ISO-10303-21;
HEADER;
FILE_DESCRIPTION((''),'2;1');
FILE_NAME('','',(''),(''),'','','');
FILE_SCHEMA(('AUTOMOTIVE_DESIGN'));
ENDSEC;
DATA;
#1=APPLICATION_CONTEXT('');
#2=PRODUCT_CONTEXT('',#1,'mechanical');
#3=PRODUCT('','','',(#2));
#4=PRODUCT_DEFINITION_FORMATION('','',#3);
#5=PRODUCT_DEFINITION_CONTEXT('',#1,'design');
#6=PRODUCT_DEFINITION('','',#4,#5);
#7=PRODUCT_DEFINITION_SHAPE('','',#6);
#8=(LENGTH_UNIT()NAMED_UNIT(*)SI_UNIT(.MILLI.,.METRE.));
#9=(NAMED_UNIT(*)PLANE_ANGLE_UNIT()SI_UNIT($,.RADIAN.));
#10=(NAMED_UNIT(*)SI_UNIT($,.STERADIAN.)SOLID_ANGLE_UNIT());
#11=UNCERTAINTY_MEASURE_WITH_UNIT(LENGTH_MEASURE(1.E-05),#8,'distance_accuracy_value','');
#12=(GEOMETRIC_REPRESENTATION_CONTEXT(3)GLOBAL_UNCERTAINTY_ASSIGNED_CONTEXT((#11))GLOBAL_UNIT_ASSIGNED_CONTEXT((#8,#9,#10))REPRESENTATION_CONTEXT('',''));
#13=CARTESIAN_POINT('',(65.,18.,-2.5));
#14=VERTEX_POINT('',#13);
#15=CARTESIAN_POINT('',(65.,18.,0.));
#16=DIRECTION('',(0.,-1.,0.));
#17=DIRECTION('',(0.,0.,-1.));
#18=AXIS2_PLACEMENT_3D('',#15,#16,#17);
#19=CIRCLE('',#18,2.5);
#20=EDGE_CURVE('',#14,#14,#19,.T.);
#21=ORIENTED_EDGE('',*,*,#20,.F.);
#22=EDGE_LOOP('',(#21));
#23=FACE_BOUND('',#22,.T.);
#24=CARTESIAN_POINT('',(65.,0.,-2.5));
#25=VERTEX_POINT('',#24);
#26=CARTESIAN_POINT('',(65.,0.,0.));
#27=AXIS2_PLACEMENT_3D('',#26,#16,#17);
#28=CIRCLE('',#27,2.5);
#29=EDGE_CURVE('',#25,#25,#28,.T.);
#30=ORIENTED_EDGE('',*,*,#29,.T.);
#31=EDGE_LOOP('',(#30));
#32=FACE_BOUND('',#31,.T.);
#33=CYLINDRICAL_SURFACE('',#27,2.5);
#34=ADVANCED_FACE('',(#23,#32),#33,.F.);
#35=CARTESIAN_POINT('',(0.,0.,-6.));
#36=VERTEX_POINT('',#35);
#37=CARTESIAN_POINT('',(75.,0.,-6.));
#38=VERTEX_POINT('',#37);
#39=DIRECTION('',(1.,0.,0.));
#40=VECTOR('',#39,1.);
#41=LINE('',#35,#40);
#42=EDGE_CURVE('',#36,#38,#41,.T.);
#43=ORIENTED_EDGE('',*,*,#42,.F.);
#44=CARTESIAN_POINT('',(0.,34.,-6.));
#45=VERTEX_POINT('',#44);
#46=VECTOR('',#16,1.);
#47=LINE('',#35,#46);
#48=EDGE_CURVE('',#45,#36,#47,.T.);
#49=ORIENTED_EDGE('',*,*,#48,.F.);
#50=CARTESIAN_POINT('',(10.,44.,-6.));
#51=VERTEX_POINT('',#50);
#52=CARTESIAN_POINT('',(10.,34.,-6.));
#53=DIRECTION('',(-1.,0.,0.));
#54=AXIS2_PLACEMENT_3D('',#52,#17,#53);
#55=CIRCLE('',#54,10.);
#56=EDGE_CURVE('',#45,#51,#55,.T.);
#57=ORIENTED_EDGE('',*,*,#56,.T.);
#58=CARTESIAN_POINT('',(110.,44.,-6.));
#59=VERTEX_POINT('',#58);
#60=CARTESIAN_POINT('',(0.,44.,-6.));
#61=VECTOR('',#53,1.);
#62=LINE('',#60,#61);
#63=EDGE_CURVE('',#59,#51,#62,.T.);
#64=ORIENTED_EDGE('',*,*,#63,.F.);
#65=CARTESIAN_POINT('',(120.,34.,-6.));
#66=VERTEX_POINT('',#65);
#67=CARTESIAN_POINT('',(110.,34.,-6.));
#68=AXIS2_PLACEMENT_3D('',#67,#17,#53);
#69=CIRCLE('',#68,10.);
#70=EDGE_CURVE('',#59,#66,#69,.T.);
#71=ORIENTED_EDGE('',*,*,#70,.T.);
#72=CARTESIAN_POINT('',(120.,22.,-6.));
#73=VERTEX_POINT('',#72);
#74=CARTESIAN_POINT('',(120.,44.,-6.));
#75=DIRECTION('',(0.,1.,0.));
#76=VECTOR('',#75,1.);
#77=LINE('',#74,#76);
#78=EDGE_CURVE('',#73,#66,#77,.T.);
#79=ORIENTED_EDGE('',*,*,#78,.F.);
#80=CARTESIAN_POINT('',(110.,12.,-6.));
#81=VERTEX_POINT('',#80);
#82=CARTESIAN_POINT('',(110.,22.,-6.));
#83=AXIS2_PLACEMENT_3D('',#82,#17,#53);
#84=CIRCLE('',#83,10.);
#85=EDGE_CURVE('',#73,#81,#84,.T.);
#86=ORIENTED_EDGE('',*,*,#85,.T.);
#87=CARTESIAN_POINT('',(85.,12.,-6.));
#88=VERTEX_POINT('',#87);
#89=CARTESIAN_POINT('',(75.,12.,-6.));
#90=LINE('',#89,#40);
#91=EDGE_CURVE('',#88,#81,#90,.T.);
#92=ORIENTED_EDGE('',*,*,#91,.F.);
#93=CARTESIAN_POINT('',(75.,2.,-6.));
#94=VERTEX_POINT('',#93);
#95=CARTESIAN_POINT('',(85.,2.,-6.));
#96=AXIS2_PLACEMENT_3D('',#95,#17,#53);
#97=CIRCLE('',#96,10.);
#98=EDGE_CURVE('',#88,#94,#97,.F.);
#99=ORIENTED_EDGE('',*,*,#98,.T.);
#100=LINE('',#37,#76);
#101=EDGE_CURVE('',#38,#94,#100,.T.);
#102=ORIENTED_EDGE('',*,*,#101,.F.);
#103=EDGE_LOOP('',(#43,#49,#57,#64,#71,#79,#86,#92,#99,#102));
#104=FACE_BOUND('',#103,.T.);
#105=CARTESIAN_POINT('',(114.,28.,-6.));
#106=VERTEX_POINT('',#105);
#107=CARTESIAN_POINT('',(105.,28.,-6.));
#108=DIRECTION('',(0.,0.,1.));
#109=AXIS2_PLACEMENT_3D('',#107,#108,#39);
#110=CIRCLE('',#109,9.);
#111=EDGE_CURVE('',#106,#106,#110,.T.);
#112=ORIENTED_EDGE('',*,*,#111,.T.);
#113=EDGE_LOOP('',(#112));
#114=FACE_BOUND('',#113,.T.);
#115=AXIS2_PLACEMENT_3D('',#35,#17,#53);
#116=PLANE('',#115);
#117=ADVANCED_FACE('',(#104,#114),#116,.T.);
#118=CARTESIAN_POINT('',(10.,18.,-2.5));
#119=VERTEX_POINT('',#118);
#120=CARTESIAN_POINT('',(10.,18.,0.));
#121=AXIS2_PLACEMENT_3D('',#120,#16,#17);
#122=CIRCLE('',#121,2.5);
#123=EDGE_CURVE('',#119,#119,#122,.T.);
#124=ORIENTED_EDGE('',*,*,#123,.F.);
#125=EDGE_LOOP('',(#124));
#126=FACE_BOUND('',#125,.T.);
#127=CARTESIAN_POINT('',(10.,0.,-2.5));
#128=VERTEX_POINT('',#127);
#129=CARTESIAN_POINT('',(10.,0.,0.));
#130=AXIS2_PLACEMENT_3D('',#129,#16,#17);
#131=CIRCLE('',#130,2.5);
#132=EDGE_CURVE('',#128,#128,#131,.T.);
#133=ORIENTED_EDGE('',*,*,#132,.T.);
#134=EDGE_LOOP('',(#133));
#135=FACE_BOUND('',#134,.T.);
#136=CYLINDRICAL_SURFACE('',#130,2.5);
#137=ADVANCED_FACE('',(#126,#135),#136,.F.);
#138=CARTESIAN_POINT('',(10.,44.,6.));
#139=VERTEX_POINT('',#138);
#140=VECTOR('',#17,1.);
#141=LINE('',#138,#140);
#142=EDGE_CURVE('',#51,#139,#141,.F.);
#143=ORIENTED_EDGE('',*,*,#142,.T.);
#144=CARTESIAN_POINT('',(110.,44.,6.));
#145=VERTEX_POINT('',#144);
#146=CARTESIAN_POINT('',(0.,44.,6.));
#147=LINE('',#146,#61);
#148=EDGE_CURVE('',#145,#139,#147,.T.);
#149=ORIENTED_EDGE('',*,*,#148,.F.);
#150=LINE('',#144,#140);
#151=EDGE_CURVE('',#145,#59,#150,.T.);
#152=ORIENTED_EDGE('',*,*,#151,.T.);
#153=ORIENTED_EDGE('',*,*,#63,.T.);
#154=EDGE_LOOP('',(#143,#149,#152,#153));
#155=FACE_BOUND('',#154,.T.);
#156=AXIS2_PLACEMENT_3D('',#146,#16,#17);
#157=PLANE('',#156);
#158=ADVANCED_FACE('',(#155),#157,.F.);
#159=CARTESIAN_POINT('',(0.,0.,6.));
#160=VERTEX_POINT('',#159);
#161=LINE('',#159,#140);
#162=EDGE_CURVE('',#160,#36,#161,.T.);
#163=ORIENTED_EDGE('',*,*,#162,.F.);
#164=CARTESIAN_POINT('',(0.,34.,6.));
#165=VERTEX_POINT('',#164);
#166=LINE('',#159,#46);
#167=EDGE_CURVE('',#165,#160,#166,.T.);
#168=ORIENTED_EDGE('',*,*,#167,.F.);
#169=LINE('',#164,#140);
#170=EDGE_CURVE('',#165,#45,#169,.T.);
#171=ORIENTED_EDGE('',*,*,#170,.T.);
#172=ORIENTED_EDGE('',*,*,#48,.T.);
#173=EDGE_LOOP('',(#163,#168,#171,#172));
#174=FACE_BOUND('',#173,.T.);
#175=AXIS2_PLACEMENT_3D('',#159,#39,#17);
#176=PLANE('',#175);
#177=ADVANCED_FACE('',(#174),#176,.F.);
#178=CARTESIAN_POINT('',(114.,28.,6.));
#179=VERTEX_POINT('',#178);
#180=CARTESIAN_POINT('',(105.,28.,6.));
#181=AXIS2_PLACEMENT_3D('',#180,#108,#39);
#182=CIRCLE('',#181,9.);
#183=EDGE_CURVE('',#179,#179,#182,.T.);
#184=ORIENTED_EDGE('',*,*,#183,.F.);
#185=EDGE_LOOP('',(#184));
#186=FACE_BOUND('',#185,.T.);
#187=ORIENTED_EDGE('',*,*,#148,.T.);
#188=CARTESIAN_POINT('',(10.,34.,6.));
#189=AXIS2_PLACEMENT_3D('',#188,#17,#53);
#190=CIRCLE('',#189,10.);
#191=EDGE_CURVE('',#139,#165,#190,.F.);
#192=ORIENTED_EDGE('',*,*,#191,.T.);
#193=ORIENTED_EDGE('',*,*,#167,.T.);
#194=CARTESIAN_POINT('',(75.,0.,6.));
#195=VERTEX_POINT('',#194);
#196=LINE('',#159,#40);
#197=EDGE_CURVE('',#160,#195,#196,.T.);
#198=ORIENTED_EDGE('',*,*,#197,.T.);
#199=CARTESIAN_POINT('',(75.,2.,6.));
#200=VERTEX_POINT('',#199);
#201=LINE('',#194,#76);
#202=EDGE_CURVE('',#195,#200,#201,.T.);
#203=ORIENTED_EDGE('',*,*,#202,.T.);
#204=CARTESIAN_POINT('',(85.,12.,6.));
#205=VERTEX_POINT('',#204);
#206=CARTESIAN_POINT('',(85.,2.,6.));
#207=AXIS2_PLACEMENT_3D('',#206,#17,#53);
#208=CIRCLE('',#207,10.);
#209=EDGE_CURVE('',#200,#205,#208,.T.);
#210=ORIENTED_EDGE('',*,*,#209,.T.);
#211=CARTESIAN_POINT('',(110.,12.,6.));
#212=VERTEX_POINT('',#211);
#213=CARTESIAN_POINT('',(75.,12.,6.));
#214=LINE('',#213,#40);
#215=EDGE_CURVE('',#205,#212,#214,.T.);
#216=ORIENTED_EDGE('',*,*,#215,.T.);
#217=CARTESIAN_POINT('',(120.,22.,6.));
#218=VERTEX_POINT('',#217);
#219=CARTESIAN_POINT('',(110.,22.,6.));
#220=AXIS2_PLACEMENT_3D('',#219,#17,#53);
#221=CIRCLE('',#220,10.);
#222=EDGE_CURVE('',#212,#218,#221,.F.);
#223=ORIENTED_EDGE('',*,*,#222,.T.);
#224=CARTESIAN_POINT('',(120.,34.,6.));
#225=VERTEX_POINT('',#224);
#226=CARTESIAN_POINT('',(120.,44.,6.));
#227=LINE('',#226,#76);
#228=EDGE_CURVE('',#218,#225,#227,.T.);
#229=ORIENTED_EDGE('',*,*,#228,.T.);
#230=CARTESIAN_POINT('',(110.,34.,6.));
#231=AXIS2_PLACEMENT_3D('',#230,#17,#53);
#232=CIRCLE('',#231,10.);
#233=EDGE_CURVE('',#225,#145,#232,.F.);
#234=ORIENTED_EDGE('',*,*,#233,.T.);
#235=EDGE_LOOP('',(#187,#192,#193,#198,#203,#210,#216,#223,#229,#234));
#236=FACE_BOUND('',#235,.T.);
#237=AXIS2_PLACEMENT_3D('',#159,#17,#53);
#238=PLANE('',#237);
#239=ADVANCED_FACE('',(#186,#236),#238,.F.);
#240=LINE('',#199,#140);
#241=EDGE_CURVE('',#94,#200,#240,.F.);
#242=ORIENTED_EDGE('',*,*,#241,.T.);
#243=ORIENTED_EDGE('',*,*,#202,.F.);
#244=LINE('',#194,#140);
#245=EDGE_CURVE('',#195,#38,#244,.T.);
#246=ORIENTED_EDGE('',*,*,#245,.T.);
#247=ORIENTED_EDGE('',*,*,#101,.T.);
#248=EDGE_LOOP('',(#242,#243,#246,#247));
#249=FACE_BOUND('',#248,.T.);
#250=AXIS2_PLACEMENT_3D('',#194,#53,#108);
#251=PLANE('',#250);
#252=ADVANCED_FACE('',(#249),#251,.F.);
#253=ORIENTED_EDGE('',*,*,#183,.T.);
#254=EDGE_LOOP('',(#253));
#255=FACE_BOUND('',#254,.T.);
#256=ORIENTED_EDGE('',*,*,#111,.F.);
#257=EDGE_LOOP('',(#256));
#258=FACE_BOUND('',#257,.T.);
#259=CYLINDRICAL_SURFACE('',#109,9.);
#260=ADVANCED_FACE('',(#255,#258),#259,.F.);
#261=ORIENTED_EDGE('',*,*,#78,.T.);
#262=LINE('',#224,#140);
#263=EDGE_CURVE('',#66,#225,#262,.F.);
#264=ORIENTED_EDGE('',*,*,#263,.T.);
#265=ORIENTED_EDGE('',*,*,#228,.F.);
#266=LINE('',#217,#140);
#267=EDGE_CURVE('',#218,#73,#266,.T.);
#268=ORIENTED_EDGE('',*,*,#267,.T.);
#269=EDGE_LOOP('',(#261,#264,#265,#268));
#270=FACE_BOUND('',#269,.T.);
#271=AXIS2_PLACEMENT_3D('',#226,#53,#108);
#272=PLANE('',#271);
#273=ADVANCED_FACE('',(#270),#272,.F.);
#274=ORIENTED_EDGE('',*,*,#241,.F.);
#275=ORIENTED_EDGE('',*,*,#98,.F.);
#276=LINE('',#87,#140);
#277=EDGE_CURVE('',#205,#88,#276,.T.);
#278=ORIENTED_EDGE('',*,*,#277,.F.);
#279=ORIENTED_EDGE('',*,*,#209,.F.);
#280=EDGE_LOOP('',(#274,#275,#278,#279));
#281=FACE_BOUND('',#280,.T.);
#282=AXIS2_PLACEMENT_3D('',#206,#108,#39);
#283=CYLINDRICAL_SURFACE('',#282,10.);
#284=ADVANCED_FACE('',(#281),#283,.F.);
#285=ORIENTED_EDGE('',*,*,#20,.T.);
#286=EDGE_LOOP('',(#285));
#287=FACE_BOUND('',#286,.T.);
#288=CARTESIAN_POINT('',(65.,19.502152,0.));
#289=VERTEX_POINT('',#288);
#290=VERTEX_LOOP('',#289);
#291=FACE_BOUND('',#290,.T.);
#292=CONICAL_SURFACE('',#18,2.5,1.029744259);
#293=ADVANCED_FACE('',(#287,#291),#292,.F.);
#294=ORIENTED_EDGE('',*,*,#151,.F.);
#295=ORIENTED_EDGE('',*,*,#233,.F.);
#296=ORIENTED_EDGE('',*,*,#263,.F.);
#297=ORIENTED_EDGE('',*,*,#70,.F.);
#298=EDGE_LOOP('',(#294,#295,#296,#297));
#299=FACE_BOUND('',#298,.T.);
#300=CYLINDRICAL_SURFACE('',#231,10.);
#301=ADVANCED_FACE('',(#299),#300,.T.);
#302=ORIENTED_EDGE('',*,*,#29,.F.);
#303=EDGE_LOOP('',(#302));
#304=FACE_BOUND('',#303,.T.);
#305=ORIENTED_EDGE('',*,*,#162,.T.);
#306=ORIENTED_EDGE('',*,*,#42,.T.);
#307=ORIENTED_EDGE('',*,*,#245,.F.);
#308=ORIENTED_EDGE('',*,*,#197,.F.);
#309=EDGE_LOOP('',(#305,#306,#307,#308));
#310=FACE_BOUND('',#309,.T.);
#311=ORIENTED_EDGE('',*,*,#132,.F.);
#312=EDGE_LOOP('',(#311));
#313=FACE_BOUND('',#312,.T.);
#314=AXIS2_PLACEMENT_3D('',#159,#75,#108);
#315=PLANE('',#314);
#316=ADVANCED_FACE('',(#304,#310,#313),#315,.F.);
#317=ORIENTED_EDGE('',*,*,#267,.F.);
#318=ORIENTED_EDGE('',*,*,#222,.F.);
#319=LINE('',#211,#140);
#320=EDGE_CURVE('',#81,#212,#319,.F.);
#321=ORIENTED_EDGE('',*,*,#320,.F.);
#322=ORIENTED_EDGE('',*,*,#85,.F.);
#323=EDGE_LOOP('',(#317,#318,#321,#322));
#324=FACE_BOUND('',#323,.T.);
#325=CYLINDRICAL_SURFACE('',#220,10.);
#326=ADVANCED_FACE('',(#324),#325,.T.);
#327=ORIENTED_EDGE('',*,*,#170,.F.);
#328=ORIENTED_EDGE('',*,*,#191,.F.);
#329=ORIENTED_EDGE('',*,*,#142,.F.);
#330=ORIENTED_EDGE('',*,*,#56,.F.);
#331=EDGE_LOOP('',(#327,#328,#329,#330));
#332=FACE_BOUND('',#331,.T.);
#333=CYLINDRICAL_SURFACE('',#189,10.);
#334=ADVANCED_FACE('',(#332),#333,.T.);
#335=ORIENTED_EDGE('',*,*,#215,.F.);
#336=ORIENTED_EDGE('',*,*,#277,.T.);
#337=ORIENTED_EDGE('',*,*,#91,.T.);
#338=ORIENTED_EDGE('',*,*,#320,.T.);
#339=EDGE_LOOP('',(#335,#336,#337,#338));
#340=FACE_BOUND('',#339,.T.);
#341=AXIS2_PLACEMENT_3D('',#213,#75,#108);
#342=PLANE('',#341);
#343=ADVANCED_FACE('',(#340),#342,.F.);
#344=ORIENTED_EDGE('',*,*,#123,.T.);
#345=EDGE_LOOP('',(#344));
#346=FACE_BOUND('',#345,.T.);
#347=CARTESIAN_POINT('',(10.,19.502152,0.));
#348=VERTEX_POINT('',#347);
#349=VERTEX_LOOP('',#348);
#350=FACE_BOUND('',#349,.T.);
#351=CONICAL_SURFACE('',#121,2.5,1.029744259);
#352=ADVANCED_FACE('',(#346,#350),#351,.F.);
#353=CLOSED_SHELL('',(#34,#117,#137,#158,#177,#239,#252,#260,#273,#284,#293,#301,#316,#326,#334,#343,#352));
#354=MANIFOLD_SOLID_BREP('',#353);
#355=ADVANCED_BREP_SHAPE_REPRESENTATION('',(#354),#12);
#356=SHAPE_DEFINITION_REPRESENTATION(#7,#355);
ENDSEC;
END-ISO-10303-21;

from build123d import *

# Parameters (mm, degrees)
EXTRUDE_1_DEPTH        = 6
HOLE_WIZARD_M6_1_D     = 5
HOLE_WIZARD_M6_1_DEPTH = 18
HOLE_WIZARD_M6_1_TIP   = 1.502151548
SKETCH_4_R             = 9
CUT_EXTRUDE_1_DEPTH    = 13
FILLET_1_R             = 10


with BuildPart() as part:
    # 草图1 → 凸台-拉伸1 (new body, symmetric)
    with BuildSketch(Plane.XY):
        Polygon((0, 0), (75, 0), (75, 12), (120, 12), (120, 44), (0, 44), align=None)
    extrude(amount=EXTRUDE_1_DEPTH, both=True)

    # M6 螺纹孔1
    with Locations(Plane(origin=(0, 0, 0), x_dir=(-1, 0, 0), z_dir=(0, -1, 0))):
        with Locations((-10, 0), (-65, 0)):
            Hole(HOLE_WIZARD_M6_1_D / 2, depth=HOLE_WIZARD_M6_1_DEPTH)
            with Locations((0, 0, -(HOLE_WIZARD_M6_1_DEPTH + HOLE_WIZARD_M6_1_TIP / 2))):  # 118° drill point
                Cone(0, HOLE_WIZARD_M6_1_D / 2, HOLE_WIZARD_M6_1_TIP, mode=Mode.SUBTRACT)

    # 草图4 → 切除-拉伸1 (cut, through all)
    with BuildSketch(Plane.XY.offset(6)):
        with Locations((105, 28)):
            Circle(SKETCH_4_R)
    extrude(amount=-CUT_EXTRUDE_1_DEPTH, mode=Mode.SUBTRACT)

    # 圆角1
    fillet_1_edges = [part.edges().sort_by_distance(p)[0] for p in [
        (0, 44, 0),
        (120, 44, 0),
        (120, 12, 0),
        (75, 12, 0),
    ]]
    fillet(fillet_1_edges, radius=FILLET_1_R)


solid = part.part
